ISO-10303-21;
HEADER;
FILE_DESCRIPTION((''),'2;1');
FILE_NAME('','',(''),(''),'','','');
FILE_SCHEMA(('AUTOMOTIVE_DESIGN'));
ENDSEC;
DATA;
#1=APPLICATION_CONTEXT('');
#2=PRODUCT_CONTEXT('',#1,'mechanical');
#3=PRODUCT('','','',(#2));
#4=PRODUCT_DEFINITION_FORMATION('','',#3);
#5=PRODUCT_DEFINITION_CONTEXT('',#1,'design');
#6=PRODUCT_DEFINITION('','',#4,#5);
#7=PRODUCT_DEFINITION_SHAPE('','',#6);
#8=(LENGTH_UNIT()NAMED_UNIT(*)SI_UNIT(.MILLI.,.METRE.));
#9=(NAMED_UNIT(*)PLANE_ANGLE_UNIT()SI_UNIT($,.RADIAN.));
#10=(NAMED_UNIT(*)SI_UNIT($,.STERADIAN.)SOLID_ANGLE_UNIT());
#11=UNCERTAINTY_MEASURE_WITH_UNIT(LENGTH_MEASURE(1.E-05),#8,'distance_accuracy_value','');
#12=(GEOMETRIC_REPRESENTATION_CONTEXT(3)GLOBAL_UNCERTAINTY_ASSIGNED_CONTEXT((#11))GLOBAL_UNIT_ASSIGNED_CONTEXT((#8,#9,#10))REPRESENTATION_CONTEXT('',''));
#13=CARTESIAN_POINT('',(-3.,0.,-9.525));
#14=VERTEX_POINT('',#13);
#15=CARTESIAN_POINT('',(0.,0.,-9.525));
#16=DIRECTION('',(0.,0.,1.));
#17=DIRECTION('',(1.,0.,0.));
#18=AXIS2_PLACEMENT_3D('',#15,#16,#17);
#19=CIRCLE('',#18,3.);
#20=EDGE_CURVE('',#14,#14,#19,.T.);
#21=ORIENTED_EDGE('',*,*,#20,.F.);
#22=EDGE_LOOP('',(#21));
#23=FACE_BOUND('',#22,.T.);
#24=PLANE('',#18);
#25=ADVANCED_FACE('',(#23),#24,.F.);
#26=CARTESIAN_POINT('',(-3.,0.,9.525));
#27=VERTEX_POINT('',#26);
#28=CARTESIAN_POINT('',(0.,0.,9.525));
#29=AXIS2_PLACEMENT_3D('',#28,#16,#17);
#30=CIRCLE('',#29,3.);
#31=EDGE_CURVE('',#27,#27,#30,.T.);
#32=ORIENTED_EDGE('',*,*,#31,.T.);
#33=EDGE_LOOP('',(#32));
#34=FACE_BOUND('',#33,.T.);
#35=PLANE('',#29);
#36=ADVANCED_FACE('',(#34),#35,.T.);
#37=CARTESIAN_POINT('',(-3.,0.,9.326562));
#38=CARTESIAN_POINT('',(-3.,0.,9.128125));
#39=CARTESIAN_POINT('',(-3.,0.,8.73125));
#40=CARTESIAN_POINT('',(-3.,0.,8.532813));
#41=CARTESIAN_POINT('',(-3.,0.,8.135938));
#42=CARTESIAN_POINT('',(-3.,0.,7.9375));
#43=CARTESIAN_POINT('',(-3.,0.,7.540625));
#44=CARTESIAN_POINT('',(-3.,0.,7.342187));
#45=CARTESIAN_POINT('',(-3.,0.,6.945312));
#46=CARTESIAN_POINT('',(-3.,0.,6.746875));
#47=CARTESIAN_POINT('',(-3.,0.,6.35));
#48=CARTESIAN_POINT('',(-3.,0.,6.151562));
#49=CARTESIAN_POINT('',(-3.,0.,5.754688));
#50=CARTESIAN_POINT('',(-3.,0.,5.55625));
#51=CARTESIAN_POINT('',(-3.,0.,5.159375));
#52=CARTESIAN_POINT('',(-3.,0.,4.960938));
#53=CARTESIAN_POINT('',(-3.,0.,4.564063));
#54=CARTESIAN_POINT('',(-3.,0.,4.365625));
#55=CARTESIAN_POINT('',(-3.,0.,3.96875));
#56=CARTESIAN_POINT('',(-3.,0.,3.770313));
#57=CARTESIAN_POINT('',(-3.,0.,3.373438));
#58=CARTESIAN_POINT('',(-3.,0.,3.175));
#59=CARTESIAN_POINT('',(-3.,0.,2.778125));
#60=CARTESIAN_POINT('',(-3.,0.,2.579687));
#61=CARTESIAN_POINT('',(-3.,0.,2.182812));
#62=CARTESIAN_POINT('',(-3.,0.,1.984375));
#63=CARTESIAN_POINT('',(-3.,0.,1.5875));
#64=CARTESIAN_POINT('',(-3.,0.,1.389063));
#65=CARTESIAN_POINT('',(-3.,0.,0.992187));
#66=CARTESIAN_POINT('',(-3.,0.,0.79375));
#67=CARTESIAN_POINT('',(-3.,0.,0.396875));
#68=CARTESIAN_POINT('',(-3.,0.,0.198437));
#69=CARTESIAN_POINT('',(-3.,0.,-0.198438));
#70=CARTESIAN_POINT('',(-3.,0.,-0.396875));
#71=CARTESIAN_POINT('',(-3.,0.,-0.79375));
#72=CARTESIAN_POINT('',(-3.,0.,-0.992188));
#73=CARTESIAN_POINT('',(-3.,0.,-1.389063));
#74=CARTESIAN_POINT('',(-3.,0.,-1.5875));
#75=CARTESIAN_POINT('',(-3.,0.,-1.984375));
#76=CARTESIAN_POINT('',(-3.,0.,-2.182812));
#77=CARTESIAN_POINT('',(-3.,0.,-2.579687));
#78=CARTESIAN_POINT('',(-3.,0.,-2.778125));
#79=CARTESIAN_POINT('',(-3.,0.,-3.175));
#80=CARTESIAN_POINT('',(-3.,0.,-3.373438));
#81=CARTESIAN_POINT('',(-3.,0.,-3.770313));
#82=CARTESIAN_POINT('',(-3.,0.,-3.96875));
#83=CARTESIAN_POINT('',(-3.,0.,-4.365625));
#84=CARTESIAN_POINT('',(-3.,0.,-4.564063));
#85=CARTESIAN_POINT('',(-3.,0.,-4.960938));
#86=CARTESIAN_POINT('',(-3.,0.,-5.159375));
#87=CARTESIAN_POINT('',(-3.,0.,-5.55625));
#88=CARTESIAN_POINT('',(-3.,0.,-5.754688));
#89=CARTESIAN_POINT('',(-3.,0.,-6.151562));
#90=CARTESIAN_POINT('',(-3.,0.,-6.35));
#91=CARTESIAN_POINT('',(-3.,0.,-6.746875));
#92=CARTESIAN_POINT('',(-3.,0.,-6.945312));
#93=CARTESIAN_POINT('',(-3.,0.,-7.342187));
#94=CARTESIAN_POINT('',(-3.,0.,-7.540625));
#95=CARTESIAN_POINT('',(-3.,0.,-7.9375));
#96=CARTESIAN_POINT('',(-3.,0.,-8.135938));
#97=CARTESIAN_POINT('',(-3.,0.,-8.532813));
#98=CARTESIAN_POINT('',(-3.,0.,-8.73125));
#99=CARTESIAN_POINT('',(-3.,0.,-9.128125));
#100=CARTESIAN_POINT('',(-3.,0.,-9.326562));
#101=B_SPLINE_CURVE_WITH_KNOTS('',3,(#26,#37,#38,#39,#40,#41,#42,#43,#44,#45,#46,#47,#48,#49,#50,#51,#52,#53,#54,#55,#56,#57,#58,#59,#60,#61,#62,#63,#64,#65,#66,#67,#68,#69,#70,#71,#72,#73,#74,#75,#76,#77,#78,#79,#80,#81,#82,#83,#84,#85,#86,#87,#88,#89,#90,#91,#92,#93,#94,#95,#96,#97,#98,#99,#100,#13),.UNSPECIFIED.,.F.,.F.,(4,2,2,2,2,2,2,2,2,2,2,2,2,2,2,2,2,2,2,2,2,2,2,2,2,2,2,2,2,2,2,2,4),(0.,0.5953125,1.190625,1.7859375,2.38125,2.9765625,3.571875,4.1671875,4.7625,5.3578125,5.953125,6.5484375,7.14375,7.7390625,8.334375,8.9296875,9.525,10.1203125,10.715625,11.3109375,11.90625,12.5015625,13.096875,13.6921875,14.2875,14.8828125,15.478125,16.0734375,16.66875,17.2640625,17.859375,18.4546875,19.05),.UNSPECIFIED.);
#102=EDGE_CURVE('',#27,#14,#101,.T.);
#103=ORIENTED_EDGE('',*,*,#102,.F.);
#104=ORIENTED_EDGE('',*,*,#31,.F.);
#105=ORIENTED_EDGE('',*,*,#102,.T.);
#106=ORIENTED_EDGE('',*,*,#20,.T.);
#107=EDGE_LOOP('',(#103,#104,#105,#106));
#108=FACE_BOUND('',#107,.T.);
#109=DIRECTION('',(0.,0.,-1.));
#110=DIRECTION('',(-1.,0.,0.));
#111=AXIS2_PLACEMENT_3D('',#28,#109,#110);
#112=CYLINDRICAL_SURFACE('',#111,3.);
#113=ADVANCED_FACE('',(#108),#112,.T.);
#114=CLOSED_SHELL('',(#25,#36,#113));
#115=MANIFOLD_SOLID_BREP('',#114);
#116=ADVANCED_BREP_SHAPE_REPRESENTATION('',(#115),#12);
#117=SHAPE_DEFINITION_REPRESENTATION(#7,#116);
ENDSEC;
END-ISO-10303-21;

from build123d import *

# Parameters (mm, degrees)
SKETCH3_R           = 3
BOSS_EXTRUDE1_DEPTH = 9.525


with BuildPart() as part:
    # Sketch3 → Boss-Extrude1 (new, symmetric)
    with BuildSketch(Plane.XY):
        with Locations(Location((0, 0, 0), (0, 0, 180))):
            Circle(SKETCH3_R)
    extrude(amount=BOSS_EXTRUDE1_DEPTH, both=True)


solid = part.part
